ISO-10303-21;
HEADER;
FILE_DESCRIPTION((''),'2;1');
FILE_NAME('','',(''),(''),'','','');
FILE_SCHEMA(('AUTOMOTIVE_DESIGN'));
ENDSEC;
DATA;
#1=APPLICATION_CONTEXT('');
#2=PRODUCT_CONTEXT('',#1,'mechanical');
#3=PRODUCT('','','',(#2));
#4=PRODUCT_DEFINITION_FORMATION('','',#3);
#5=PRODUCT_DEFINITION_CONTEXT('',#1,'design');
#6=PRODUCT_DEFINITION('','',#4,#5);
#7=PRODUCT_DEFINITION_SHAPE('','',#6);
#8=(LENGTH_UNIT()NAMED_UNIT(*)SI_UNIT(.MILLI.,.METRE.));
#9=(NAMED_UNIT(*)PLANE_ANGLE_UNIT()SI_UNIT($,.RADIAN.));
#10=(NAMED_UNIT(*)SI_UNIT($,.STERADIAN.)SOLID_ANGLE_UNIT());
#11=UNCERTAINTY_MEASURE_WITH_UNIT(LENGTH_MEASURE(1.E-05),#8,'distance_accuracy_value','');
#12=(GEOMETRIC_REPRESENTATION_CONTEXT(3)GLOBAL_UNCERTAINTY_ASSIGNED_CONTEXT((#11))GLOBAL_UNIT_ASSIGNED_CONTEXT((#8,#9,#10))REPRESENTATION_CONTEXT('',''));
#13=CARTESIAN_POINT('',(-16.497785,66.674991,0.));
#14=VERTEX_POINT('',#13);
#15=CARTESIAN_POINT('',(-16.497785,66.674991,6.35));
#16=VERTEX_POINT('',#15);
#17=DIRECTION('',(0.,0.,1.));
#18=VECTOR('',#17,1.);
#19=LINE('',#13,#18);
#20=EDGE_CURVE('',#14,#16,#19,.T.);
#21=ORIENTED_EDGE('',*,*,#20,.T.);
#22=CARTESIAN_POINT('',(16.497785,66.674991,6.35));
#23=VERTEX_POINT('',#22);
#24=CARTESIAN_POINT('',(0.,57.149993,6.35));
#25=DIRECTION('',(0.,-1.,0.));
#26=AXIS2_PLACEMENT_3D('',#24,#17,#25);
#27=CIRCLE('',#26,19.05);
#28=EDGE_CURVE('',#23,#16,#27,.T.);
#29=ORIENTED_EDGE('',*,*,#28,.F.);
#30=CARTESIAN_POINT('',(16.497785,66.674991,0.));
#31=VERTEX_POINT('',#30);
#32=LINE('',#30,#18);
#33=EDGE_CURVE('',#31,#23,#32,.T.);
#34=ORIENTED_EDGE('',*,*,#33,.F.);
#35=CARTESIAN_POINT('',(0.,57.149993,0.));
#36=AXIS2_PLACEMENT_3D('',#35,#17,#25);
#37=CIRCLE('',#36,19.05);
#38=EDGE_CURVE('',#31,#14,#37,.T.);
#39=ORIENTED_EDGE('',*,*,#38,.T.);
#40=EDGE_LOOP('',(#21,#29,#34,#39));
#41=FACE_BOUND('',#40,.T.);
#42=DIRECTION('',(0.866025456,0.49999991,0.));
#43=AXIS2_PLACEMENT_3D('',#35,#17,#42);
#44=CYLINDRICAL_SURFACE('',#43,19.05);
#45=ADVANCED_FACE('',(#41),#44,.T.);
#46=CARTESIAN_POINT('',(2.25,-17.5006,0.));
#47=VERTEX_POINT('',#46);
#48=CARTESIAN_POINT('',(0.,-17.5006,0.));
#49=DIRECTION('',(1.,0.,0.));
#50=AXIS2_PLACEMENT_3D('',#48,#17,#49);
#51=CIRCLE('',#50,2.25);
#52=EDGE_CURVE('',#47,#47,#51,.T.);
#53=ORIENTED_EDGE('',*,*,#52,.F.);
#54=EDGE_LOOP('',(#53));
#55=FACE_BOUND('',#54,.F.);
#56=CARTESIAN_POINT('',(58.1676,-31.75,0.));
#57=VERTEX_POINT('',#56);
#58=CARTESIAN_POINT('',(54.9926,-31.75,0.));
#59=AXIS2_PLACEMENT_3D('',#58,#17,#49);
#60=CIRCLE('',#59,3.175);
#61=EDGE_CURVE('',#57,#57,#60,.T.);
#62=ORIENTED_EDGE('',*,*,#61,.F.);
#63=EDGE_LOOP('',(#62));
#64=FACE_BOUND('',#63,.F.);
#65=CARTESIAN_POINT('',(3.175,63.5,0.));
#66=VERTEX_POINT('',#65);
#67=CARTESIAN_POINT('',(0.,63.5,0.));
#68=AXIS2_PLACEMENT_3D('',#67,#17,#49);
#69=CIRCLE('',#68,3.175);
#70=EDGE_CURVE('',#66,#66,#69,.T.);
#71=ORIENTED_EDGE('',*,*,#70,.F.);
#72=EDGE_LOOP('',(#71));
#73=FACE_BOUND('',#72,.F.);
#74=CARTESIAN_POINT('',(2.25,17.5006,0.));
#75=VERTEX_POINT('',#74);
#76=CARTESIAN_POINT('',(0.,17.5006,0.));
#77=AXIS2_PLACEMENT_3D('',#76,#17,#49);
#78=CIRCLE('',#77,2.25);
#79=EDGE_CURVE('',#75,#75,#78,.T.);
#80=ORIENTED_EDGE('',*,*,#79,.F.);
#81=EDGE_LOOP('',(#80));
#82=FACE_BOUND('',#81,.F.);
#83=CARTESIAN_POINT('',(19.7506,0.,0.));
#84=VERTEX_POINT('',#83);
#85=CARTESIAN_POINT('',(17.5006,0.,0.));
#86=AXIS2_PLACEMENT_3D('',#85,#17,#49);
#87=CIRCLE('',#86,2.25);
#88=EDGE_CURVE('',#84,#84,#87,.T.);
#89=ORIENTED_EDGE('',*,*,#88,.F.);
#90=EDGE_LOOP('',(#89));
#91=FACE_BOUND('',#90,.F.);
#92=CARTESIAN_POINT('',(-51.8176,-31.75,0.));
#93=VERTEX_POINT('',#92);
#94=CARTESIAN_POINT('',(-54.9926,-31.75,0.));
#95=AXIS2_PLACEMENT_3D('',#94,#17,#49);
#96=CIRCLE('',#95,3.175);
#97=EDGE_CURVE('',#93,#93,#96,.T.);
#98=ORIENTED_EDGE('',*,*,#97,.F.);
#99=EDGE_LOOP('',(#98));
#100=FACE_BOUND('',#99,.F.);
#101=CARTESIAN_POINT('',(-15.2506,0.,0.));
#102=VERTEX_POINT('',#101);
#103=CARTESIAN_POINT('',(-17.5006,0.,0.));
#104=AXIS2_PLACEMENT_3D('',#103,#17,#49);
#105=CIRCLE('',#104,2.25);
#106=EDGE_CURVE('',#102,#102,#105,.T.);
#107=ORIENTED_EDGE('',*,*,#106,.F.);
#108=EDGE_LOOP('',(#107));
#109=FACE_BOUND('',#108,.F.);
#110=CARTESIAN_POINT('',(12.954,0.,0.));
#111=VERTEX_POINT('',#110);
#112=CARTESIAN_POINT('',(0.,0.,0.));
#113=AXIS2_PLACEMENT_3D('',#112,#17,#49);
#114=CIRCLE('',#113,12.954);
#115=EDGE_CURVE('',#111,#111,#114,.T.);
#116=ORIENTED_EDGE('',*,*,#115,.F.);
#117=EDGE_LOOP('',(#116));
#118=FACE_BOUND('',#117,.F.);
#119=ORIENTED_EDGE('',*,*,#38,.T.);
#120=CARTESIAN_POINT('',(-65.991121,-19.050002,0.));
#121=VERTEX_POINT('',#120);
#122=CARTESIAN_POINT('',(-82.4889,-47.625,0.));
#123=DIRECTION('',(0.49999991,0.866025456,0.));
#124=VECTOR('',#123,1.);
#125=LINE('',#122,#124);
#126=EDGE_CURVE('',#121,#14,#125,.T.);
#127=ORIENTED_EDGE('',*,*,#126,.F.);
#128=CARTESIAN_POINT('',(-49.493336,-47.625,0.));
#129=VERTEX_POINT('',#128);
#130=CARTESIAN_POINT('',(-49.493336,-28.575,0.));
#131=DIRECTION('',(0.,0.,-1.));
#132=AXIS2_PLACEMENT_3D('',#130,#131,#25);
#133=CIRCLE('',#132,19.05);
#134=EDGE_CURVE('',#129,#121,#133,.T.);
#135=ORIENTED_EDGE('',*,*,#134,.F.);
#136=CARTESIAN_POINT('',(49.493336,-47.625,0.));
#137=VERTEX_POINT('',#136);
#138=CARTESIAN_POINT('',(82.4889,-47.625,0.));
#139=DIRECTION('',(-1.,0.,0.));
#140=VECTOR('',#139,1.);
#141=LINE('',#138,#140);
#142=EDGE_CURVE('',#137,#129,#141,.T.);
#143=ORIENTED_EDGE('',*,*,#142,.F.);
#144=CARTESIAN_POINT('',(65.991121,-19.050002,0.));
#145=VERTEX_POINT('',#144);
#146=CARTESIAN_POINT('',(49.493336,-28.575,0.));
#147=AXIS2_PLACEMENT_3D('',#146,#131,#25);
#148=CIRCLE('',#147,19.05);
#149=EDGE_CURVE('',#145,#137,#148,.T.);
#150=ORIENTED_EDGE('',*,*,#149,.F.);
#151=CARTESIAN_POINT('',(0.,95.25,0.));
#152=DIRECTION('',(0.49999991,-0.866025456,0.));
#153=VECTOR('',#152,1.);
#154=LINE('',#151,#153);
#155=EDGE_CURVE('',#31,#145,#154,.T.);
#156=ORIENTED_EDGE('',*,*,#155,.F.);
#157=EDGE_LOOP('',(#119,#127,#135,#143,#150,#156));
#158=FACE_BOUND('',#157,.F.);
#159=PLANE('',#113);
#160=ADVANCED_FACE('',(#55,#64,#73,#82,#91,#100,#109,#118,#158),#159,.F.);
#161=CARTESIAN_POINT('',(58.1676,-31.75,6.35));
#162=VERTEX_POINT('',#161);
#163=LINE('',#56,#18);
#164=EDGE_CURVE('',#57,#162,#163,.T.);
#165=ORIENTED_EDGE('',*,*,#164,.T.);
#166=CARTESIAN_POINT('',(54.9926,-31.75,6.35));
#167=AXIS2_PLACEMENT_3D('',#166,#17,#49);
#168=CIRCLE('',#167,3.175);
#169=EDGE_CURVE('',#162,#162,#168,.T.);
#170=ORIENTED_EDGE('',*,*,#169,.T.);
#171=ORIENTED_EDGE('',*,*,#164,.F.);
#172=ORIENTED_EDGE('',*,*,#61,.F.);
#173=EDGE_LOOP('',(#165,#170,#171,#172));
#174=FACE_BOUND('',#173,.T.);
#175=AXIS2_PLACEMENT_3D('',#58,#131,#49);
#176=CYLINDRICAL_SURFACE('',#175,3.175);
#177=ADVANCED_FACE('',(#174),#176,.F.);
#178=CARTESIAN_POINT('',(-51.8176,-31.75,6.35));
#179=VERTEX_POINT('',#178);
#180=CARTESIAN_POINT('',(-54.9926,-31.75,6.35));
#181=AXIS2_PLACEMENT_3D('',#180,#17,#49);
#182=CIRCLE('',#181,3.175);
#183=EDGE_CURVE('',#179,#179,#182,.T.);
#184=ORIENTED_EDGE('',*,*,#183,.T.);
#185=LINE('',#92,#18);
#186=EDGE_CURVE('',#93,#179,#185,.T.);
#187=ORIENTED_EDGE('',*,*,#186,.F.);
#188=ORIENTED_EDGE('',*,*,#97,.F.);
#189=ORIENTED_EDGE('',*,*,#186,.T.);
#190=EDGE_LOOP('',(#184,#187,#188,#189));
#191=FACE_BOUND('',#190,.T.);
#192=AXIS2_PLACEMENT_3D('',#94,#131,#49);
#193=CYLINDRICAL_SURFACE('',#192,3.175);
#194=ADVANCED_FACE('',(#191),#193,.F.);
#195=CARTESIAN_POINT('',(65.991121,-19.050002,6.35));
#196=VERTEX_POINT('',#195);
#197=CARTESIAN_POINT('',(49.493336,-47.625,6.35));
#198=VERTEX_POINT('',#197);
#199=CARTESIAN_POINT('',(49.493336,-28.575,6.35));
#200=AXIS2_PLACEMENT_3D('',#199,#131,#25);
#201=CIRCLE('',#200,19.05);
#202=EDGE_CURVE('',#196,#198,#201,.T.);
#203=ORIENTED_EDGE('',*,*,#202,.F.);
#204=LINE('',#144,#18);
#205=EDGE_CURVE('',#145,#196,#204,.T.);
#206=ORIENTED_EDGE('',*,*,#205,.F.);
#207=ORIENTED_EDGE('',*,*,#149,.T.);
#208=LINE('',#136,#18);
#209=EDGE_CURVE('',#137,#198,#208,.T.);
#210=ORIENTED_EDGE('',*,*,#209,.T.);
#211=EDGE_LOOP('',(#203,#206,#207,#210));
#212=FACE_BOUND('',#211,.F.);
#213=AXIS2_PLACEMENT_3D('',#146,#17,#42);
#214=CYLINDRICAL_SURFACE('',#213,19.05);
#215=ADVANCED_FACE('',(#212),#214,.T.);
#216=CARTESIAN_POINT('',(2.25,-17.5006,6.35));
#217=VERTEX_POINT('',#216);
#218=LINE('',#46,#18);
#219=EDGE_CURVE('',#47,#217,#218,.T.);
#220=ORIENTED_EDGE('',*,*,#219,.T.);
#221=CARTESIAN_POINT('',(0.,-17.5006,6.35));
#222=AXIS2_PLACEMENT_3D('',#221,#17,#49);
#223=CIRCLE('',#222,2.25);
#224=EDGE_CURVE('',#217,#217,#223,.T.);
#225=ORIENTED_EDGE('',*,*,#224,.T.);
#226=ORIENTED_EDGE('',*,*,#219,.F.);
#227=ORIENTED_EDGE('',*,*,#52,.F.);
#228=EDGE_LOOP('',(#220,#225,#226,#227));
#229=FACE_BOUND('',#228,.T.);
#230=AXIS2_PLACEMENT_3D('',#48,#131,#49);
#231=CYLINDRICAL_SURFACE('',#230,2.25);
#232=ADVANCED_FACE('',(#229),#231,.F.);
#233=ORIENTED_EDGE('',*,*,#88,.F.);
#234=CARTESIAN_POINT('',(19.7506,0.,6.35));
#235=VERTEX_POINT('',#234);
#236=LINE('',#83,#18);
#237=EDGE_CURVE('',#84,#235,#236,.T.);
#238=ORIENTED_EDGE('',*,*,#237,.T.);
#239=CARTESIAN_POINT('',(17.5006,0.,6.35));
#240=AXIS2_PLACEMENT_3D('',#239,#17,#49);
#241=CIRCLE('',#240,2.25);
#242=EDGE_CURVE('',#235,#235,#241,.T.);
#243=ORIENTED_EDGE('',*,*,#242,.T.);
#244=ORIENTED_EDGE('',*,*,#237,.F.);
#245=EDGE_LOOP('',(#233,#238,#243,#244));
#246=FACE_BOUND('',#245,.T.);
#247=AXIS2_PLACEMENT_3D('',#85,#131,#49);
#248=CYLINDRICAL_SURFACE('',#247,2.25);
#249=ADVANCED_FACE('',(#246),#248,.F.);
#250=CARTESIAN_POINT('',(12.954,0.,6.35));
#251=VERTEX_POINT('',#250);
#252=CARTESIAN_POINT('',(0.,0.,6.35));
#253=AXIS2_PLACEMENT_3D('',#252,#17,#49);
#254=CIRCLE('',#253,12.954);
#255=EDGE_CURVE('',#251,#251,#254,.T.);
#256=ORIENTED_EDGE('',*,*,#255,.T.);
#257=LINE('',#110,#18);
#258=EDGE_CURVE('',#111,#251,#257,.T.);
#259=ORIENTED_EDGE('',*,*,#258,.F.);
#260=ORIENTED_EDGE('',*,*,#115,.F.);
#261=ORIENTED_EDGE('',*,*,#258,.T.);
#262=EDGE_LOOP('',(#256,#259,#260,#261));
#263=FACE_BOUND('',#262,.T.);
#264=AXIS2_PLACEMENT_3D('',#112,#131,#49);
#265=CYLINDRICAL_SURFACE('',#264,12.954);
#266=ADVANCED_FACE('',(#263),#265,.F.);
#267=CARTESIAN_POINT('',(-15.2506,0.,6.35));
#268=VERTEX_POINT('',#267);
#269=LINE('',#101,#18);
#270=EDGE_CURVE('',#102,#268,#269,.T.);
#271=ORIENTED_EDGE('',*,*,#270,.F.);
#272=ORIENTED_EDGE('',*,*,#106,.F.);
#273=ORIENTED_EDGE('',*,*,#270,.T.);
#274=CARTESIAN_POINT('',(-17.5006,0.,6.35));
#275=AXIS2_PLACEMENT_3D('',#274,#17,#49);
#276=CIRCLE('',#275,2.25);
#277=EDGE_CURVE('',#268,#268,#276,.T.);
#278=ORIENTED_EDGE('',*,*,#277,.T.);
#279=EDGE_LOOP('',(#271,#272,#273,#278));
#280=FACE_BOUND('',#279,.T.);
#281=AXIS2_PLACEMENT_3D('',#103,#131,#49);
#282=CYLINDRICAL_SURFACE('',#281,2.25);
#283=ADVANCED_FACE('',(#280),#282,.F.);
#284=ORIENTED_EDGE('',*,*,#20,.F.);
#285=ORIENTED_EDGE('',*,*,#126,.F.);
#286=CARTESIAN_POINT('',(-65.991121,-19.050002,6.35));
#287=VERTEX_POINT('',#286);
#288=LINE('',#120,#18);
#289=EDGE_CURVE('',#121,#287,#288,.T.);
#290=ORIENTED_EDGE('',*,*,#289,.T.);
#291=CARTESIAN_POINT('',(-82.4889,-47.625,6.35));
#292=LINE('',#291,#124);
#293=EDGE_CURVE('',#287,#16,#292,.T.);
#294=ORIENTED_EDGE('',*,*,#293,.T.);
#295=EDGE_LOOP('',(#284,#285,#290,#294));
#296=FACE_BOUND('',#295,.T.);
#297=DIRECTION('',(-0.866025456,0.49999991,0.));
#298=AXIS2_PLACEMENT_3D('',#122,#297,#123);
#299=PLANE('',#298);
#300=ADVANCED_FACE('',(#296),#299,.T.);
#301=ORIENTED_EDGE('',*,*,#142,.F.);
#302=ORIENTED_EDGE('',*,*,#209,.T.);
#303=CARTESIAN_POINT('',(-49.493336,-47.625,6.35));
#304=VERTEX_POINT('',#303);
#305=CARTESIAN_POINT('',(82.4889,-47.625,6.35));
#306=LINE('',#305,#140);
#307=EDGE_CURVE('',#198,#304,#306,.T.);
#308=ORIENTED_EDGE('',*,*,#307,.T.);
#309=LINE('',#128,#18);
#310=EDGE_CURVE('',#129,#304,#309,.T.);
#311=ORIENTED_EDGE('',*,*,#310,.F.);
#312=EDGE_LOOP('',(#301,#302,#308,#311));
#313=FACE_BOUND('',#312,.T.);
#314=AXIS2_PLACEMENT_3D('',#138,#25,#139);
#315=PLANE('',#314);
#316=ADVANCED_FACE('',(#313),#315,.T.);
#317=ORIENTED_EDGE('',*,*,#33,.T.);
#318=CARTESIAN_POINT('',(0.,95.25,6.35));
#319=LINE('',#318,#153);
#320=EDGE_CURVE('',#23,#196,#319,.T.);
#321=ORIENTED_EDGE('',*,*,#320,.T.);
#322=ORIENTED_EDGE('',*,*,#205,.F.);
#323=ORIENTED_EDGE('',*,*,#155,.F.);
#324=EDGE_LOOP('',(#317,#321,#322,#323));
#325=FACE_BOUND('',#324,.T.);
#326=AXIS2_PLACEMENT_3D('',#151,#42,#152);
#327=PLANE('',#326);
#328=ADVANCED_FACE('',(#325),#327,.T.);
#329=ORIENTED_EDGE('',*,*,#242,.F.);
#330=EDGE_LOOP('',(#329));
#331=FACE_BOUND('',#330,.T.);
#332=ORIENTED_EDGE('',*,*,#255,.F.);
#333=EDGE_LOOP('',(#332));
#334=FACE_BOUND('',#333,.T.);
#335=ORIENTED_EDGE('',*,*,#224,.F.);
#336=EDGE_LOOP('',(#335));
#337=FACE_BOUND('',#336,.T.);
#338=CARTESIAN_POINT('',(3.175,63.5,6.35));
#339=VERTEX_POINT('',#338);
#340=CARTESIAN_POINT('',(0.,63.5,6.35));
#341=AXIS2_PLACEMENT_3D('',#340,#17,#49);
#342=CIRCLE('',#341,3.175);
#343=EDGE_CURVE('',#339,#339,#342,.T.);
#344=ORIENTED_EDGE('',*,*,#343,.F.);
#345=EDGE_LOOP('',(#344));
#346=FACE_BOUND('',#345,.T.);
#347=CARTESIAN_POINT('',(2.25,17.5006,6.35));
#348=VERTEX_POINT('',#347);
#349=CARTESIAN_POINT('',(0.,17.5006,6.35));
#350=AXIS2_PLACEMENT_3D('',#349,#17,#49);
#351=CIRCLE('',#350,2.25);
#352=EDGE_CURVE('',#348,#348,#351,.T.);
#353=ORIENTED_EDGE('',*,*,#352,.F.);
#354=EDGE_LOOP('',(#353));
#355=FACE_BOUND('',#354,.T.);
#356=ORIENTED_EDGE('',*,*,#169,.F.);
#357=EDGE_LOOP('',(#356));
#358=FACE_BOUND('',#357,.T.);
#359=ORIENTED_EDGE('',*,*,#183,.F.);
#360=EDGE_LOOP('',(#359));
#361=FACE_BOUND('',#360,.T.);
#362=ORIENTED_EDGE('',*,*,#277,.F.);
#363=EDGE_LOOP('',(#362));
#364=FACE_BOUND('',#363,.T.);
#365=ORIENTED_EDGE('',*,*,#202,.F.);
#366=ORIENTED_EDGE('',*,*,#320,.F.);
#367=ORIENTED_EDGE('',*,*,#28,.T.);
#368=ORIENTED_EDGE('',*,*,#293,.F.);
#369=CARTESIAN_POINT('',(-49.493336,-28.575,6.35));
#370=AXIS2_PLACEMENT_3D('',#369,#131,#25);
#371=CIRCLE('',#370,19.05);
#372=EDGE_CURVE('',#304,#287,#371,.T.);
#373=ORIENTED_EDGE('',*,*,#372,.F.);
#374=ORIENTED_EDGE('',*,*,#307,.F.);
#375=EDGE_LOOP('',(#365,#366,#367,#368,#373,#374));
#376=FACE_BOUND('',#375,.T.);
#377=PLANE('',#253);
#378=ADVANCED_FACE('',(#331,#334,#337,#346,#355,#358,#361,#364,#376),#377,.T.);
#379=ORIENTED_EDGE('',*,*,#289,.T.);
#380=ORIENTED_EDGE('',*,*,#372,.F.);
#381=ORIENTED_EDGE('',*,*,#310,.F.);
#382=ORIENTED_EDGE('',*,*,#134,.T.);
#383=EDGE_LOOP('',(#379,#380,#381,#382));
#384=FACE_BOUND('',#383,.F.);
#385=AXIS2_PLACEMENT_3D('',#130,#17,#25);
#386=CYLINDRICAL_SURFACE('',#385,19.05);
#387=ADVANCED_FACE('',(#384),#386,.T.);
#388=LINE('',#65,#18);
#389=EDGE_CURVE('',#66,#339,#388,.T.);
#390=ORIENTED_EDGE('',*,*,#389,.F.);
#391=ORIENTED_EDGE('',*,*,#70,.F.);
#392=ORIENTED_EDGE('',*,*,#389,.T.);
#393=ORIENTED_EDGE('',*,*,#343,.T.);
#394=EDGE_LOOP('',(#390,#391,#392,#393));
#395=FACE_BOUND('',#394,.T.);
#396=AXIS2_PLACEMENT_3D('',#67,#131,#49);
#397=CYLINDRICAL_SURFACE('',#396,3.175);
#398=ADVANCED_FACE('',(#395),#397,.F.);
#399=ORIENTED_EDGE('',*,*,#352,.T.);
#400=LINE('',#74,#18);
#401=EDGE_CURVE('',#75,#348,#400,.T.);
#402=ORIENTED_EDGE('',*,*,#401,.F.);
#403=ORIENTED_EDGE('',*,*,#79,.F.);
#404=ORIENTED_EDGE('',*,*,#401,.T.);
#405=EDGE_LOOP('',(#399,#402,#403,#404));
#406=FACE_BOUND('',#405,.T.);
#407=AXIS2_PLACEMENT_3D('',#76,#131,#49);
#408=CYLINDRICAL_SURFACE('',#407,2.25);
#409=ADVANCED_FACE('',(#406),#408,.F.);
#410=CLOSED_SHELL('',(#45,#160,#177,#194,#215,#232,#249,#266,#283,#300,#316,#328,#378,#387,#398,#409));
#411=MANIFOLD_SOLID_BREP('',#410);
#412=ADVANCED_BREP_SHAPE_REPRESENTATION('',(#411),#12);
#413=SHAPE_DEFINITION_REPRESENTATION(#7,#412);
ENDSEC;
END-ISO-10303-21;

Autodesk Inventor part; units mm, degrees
ref_plane "YZ Plane" through (0, 0, 0) normal (1, 0, 0) x (0, 1, 0)
ref_plane "XZ Plane" through (0, 0, 0) normal (0, 1, 0) x (-1, 0, 0)
ref_plane "XY Plane" through (0, 0, 0) normal (0, 0, 1) x (1, 0, 0)
sketch "Sketch2" plane through (0, 0, 0) normal (0, 0, 1) x (1, 0, 0)
  circle A0 centre (0, 0) radius 3.9688
  circle A1 centre (0, 63.5) radius 3.175
  circle A2 centre (-54.9926, -31.75) radius 3.175
  circle A3 centre (54.9926, -31.75) radius 3.175
  line L0 (0, 69.85) -> (60.4919, -34.925) construction
  line L1 (60.4919, -34.925) -> (-60.4919, -34.925) construction
  line L2 (-60.4919, -34.925) -> (0, 69.85) construction
  line L3 (0, 95.25) -> (82.4889, -47.625)
  line L4 (82.4889, -47.625) -> (-82.4889, -47.625)
  line L5 (-82.4889, -47.625) -> (0, 95.25)
  circle A4 centre (0, 0) radius 17.5006 construction
  circle A5 centre (0, 17.5006) radius 2.25
  circle A6 centre (-17.5006, 0) radius 2.25
  circle A7 centre (0, -17.5006) radius 2.25
  circle A8 centre (17.5006, 0) radius 2.25
  circle A9 centre (0, 0) radius 12.954
  dimension "d14" = 35.0012
  dimension "d0" = 7.9375
  dimension "d1" = 6.35
  dimension "d2" = 63.5
  dimension "d5" = 360
  dimension "d8" = 12.7
  dimension "d9" = 12.7
  dimension "d10" = 12.7
  dimension "d15" = 4.5
  dimension "d18" = 360
  dimension "d20" = 25.908
extrude "Extrusion1" add sketch "Sketch2" along normal blind 6.35 contours L3 L4 L5
fillet "Fillet1" radius 19.05 3 edges at (0, 95.25, 3.175) (-82.4889, -47.625, 3.175) (82.4889, -47.625, 3.175)
properties part number "Triangle-motor-hole"
